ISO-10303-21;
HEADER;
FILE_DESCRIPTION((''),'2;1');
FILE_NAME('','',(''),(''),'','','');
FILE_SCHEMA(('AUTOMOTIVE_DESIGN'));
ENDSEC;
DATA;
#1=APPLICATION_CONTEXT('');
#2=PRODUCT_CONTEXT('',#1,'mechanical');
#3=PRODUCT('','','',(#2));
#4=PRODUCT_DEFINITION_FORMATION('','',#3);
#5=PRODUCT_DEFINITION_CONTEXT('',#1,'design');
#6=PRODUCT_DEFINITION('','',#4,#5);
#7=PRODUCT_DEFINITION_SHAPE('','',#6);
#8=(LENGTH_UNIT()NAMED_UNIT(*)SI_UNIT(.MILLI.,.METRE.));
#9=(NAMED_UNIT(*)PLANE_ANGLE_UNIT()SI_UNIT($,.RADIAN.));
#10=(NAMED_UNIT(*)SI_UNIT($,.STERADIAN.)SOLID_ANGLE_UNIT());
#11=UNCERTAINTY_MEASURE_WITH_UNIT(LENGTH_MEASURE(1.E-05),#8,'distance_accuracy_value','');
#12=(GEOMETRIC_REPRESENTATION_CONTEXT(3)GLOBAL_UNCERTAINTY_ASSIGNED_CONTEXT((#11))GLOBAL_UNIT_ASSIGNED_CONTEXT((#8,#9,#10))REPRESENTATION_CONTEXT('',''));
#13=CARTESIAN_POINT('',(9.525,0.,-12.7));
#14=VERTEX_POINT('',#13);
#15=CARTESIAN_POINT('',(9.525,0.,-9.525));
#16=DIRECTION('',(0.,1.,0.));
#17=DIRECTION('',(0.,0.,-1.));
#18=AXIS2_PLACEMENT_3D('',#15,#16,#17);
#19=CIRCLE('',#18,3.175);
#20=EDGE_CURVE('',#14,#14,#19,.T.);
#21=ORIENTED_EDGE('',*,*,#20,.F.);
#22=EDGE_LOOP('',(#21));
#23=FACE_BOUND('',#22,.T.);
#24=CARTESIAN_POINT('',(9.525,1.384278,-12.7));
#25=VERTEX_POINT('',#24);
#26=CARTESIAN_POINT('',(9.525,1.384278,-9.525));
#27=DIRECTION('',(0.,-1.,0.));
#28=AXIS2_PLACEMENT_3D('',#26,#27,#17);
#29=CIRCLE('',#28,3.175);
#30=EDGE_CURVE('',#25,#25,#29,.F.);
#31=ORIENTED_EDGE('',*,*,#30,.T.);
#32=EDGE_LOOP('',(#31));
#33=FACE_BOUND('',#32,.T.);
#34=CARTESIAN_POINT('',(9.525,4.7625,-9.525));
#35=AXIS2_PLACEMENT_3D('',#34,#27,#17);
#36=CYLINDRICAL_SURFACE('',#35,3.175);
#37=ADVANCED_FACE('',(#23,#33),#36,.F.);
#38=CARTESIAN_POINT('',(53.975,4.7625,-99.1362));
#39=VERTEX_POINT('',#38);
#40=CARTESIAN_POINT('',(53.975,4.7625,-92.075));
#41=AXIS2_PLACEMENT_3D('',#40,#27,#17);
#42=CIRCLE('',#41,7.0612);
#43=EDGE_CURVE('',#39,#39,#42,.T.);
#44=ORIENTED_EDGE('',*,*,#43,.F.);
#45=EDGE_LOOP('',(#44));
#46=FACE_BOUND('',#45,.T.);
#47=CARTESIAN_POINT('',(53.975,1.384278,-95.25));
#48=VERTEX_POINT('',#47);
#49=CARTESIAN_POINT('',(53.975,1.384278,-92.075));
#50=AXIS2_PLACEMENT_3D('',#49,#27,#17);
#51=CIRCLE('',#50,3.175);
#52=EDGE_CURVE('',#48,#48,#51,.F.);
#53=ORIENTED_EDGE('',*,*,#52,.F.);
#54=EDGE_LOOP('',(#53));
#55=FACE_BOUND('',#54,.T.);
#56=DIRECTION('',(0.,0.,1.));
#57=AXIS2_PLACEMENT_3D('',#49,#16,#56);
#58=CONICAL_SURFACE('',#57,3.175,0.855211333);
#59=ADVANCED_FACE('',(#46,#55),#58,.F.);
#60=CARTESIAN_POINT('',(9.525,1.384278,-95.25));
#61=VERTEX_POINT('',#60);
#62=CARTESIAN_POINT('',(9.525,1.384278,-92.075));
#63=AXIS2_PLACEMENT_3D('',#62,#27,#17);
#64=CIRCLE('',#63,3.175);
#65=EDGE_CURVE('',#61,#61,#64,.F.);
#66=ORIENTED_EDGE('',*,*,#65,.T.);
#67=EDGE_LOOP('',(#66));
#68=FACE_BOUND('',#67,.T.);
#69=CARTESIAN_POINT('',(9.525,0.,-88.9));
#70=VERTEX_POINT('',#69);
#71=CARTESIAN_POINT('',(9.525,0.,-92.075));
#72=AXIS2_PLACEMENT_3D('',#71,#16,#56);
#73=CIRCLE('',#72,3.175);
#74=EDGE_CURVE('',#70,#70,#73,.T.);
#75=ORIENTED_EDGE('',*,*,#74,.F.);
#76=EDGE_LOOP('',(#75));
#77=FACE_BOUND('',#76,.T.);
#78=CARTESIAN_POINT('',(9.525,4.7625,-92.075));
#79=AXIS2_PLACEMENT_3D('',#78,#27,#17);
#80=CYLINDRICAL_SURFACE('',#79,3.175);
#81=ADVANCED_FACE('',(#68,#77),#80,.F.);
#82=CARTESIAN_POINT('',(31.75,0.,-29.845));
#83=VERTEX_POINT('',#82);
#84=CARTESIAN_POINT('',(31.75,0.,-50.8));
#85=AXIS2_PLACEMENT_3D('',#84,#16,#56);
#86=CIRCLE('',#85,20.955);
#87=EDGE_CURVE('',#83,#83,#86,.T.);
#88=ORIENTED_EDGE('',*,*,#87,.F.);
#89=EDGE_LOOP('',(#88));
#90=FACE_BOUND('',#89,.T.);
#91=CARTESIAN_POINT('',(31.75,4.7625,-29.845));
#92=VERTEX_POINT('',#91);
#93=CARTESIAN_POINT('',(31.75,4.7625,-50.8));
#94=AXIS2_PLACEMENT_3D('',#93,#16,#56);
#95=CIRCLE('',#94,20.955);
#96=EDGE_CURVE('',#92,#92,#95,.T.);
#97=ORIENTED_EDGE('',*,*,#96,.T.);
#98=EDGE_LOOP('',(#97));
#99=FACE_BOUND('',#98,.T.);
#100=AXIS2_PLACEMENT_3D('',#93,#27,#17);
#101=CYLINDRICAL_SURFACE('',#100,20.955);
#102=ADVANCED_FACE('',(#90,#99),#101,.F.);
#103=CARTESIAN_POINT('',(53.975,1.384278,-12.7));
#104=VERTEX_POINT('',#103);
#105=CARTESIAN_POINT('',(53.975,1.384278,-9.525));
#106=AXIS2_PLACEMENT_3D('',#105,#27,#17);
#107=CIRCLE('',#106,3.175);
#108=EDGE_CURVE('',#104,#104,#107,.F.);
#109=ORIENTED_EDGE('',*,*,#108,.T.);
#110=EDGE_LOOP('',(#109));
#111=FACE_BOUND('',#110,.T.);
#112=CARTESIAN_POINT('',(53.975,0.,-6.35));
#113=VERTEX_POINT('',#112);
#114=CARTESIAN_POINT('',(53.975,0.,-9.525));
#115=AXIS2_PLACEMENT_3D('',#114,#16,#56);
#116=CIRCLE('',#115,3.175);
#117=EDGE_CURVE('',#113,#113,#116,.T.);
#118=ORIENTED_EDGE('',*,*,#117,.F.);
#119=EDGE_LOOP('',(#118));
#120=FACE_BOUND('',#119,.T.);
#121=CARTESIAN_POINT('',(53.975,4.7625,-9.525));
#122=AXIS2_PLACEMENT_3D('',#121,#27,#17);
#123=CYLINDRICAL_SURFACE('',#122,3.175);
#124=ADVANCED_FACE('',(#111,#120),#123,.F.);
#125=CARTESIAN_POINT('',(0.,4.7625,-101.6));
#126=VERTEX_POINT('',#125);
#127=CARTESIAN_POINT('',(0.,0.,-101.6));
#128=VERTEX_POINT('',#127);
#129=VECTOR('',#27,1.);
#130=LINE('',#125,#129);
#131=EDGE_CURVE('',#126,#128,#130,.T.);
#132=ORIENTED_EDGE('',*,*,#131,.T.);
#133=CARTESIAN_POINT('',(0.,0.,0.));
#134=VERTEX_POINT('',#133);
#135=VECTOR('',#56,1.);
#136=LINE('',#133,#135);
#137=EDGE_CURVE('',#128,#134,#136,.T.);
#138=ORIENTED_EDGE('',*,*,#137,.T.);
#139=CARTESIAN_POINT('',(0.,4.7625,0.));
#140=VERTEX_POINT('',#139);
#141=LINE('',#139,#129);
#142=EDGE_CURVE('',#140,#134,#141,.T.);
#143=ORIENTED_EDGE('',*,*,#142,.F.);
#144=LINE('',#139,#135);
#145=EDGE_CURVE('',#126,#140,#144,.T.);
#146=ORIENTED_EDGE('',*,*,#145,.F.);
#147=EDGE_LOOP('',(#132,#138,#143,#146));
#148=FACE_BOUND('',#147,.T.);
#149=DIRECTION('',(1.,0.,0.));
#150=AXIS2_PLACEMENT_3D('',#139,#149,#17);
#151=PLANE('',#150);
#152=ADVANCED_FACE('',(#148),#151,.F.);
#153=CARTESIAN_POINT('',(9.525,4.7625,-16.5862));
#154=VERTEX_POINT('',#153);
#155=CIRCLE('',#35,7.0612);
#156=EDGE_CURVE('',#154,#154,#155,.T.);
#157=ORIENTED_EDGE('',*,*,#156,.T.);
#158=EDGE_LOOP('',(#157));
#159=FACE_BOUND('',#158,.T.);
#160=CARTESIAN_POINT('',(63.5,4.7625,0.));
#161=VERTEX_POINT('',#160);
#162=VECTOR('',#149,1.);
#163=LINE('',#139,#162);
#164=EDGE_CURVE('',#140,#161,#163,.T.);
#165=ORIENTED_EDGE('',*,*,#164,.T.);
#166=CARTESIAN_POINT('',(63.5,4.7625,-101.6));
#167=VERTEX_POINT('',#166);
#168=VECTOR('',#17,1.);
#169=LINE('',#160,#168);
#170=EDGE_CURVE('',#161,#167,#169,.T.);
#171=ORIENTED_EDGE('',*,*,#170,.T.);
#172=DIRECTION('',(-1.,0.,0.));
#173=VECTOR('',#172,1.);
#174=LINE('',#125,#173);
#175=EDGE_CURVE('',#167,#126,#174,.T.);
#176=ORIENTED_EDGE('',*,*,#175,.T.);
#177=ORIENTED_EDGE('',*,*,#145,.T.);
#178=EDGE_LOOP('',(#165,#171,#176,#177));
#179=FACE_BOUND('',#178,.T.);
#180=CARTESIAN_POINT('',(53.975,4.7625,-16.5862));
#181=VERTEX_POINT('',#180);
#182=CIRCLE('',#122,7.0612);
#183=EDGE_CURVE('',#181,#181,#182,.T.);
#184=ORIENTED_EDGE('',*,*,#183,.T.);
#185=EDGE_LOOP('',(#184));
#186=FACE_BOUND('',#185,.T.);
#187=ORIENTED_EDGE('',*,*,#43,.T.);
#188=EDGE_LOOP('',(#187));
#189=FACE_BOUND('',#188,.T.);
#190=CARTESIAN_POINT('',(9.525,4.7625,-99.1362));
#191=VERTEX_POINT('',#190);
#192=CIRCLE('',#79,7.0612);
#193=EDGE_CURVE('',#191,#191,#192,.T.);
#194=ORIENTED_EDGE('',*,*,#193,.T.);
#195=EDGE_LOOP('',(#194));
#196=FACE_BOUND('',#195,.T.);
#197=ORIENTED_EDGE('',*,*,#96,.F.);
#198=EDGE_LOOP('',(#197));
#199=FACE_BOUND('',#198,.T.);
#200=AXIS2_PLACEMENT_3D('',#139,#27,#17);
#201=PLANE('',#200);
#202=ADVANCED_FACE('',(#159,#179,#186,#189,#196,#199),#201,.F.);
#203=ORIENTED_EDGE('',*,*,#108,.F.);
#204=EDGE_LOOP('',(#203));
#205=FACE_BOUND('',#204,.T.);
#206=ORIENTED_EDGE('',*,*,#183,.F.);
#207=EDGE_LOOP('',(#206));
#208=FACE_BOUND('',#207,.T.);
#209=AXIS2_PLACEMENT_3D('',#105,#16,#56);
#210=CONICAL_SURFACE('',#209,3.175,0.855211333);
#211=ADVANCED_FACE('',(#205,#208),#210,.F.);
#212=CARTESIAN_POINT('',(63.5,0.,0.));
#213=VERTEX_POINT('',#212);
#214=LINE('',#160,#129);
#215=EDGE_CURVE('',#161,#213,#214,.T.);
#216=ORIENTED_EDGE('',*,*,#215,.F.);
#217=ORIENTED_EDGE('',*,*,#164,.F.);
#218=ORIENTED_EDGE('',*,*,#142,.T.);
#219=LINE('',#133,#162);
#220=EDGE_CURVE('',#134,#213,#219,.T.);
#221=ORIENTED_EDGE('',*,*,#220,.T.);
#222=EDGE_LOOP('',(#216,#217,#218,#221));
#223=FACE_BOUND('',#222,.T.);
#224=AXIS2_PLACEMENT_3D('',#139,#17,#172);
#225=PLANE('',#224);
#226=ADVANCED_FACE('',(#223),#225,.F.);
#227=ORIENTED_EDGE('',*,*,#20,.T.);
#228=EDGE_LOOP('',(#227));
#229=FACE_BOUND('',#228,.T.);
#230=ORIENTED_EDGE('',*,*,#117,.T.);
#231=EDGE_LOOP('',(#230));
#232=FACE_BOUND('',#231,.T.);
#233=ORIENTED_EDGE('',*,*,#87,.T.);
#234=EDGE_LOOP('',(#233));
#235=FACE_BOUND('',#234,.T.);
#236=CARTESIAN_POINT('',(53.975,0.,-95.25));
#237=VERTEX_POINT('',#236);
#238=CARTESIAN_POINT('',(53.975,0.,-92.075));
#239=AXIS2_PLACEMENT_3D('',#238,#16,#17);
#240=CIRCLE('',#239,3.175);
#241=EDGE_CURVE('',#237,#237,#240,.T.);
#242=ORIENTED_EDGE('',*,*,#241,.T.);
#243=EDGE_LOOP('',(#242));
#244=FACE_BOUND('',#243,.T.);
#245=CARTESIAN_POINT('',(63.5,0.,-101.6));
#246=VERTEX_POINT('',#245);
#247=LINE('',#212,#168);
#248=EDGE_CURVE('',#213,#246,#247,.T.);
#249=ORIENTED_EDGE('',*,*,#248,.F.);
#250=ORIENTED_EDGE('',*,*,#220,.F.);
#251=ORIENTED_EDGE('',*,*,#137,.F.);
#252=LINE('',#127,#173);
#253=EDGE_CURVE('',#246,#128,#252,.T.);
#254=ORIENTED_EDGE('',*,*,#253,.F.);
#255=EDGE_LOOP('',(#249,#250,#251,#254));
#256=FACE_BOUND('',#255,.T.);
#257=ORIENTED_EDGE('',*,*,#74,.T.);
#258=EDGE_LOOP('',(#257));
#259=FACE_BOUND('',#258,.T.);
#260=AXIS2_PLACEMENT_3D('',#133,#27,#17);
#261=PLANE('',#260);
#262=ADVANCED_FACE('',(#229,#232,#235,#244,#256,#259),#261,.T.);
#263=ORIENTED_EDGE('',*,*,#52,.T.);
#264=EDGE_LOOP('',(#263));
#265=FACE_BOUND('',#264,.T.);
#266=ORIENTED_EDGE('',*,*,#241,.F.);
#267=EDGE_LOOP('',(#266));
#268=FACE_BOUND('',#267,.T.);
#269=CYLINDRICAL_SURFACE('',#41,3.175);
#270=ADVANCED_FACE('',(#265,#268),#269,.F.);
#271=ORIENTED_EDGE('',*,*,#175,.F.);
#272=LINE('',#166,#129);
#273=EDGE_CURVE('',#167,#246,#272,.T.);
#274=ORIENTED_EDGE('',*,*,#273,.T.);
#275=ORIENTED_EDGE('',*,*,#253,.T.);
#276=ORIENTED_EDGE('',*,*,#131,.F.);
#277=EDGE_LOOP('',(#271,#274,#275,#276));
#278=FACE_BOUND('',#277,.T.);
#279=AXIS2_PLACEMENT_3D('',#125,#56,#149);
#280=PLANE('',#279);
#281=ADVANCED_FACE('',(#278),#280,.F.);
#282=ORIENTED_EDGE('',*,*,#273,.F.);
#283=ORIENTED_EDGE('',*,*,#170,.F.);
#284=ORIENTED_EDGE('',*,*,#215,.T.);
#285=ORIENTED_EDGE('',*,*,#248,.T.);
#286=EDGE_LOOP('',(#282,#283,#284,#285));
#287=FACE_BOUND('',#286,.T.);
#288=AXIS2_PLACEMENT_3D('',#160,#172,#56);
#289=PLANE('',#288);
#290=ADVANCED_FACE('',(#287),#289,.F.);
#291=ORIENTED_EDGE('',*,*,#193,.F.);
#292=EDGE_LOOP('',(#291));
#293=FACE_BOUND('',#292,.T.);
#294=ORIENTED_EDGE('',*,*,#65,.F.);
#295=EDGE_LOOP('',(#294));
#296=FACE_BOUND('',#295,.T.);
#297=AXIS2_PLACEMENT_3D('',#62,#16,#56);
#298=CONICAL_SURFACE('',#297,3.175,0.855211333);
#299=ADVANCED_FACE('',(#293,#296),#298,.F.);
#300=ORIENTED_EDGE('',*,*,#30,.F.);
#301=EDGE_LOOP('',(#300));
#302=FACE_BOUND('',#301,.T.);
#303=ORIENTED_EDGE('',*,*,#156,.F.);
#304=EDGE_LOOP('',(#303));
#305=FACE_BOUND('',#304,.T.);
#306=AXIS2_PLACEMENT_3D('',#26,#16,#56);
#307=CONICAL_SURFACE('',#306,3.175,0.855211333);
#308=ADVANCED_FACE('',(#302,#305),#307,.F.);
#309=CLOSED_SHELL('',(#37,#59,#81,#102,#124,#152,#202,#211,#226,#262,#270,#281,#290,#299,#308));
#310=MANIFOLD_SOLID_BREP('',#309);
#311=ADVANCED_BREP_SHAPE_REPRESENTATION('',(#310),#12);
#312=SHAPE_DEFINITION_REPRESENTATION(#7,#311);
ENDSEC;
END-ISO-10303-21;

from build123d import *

# Parameters (mm, degrees)
SKETCH1_W           = 63.5
SKETCH1_H           = 101.6
SKETCH1_R           = 20.955
SKETCH1_R_2         = 3.175
BOSS_EXTRUDE1_DEPTH = 4.7625
CHAMFER1_SIZE       = 3.8862
CHAMFER1_SIZE2      = 3.378222121


with BuildPart() as part:
    # Sketch1 → Boss-Extrude1 (new body)
    with BuildSketch(Plane(origin=(0, 0, 0), x_dir=(1, 0, 0), z_dir=(0, 1, 0))):
        with Locations((31.75, 50.8)):
            Rectangle(SKETCH1_W, SKETCH1_H)
        with Locations((31.75, 50.8)):
            Circle(SKETCH1_R, mode=Mode.SUBTRACT)
        with Locations((9.525, 92.075)):
            Circle(SKETCH1_R_2, mode=Mode.SUBTRACT)
        with Locations((53.975, 92.075)):
            Circle(SKETCH1_R_2, mode=Mode.SUBTRACT)
        with Locations((53.975, 9.525)):
            Circle(SKETCH1_R_2, mode=Mode.SUBTRACT)
        with Locations((9.525, 9.525)):
            Circle(SKETCH1_R_2, mode=Mode.SUBTRACT)
    extrude(amount=BOSS_EXTRUDE1_DEPTH)

    # Chamfer1
    chamfer1_edges = [part.edges().sort_by_distance(p)[0] for p in [
        (6.35, 4.7625, -92.075),
        (50.8, 4.7625, -92.075),
        (50.8, 4.7625, -9.525),
        (6.35, 4.7625, -9.525),
    ]]
    chamfer1_side = [part.faces().sort_by_distance(p)[0] for p in [
        (31.75, 4.7625, -1.198115604),
    ]]
    chamfer(chamfer1_edges, length=CHAMFER1_SIZE, length2=CHAMFER1_SIZE2, reference=chamfer1_side[0])


solid = part.part
